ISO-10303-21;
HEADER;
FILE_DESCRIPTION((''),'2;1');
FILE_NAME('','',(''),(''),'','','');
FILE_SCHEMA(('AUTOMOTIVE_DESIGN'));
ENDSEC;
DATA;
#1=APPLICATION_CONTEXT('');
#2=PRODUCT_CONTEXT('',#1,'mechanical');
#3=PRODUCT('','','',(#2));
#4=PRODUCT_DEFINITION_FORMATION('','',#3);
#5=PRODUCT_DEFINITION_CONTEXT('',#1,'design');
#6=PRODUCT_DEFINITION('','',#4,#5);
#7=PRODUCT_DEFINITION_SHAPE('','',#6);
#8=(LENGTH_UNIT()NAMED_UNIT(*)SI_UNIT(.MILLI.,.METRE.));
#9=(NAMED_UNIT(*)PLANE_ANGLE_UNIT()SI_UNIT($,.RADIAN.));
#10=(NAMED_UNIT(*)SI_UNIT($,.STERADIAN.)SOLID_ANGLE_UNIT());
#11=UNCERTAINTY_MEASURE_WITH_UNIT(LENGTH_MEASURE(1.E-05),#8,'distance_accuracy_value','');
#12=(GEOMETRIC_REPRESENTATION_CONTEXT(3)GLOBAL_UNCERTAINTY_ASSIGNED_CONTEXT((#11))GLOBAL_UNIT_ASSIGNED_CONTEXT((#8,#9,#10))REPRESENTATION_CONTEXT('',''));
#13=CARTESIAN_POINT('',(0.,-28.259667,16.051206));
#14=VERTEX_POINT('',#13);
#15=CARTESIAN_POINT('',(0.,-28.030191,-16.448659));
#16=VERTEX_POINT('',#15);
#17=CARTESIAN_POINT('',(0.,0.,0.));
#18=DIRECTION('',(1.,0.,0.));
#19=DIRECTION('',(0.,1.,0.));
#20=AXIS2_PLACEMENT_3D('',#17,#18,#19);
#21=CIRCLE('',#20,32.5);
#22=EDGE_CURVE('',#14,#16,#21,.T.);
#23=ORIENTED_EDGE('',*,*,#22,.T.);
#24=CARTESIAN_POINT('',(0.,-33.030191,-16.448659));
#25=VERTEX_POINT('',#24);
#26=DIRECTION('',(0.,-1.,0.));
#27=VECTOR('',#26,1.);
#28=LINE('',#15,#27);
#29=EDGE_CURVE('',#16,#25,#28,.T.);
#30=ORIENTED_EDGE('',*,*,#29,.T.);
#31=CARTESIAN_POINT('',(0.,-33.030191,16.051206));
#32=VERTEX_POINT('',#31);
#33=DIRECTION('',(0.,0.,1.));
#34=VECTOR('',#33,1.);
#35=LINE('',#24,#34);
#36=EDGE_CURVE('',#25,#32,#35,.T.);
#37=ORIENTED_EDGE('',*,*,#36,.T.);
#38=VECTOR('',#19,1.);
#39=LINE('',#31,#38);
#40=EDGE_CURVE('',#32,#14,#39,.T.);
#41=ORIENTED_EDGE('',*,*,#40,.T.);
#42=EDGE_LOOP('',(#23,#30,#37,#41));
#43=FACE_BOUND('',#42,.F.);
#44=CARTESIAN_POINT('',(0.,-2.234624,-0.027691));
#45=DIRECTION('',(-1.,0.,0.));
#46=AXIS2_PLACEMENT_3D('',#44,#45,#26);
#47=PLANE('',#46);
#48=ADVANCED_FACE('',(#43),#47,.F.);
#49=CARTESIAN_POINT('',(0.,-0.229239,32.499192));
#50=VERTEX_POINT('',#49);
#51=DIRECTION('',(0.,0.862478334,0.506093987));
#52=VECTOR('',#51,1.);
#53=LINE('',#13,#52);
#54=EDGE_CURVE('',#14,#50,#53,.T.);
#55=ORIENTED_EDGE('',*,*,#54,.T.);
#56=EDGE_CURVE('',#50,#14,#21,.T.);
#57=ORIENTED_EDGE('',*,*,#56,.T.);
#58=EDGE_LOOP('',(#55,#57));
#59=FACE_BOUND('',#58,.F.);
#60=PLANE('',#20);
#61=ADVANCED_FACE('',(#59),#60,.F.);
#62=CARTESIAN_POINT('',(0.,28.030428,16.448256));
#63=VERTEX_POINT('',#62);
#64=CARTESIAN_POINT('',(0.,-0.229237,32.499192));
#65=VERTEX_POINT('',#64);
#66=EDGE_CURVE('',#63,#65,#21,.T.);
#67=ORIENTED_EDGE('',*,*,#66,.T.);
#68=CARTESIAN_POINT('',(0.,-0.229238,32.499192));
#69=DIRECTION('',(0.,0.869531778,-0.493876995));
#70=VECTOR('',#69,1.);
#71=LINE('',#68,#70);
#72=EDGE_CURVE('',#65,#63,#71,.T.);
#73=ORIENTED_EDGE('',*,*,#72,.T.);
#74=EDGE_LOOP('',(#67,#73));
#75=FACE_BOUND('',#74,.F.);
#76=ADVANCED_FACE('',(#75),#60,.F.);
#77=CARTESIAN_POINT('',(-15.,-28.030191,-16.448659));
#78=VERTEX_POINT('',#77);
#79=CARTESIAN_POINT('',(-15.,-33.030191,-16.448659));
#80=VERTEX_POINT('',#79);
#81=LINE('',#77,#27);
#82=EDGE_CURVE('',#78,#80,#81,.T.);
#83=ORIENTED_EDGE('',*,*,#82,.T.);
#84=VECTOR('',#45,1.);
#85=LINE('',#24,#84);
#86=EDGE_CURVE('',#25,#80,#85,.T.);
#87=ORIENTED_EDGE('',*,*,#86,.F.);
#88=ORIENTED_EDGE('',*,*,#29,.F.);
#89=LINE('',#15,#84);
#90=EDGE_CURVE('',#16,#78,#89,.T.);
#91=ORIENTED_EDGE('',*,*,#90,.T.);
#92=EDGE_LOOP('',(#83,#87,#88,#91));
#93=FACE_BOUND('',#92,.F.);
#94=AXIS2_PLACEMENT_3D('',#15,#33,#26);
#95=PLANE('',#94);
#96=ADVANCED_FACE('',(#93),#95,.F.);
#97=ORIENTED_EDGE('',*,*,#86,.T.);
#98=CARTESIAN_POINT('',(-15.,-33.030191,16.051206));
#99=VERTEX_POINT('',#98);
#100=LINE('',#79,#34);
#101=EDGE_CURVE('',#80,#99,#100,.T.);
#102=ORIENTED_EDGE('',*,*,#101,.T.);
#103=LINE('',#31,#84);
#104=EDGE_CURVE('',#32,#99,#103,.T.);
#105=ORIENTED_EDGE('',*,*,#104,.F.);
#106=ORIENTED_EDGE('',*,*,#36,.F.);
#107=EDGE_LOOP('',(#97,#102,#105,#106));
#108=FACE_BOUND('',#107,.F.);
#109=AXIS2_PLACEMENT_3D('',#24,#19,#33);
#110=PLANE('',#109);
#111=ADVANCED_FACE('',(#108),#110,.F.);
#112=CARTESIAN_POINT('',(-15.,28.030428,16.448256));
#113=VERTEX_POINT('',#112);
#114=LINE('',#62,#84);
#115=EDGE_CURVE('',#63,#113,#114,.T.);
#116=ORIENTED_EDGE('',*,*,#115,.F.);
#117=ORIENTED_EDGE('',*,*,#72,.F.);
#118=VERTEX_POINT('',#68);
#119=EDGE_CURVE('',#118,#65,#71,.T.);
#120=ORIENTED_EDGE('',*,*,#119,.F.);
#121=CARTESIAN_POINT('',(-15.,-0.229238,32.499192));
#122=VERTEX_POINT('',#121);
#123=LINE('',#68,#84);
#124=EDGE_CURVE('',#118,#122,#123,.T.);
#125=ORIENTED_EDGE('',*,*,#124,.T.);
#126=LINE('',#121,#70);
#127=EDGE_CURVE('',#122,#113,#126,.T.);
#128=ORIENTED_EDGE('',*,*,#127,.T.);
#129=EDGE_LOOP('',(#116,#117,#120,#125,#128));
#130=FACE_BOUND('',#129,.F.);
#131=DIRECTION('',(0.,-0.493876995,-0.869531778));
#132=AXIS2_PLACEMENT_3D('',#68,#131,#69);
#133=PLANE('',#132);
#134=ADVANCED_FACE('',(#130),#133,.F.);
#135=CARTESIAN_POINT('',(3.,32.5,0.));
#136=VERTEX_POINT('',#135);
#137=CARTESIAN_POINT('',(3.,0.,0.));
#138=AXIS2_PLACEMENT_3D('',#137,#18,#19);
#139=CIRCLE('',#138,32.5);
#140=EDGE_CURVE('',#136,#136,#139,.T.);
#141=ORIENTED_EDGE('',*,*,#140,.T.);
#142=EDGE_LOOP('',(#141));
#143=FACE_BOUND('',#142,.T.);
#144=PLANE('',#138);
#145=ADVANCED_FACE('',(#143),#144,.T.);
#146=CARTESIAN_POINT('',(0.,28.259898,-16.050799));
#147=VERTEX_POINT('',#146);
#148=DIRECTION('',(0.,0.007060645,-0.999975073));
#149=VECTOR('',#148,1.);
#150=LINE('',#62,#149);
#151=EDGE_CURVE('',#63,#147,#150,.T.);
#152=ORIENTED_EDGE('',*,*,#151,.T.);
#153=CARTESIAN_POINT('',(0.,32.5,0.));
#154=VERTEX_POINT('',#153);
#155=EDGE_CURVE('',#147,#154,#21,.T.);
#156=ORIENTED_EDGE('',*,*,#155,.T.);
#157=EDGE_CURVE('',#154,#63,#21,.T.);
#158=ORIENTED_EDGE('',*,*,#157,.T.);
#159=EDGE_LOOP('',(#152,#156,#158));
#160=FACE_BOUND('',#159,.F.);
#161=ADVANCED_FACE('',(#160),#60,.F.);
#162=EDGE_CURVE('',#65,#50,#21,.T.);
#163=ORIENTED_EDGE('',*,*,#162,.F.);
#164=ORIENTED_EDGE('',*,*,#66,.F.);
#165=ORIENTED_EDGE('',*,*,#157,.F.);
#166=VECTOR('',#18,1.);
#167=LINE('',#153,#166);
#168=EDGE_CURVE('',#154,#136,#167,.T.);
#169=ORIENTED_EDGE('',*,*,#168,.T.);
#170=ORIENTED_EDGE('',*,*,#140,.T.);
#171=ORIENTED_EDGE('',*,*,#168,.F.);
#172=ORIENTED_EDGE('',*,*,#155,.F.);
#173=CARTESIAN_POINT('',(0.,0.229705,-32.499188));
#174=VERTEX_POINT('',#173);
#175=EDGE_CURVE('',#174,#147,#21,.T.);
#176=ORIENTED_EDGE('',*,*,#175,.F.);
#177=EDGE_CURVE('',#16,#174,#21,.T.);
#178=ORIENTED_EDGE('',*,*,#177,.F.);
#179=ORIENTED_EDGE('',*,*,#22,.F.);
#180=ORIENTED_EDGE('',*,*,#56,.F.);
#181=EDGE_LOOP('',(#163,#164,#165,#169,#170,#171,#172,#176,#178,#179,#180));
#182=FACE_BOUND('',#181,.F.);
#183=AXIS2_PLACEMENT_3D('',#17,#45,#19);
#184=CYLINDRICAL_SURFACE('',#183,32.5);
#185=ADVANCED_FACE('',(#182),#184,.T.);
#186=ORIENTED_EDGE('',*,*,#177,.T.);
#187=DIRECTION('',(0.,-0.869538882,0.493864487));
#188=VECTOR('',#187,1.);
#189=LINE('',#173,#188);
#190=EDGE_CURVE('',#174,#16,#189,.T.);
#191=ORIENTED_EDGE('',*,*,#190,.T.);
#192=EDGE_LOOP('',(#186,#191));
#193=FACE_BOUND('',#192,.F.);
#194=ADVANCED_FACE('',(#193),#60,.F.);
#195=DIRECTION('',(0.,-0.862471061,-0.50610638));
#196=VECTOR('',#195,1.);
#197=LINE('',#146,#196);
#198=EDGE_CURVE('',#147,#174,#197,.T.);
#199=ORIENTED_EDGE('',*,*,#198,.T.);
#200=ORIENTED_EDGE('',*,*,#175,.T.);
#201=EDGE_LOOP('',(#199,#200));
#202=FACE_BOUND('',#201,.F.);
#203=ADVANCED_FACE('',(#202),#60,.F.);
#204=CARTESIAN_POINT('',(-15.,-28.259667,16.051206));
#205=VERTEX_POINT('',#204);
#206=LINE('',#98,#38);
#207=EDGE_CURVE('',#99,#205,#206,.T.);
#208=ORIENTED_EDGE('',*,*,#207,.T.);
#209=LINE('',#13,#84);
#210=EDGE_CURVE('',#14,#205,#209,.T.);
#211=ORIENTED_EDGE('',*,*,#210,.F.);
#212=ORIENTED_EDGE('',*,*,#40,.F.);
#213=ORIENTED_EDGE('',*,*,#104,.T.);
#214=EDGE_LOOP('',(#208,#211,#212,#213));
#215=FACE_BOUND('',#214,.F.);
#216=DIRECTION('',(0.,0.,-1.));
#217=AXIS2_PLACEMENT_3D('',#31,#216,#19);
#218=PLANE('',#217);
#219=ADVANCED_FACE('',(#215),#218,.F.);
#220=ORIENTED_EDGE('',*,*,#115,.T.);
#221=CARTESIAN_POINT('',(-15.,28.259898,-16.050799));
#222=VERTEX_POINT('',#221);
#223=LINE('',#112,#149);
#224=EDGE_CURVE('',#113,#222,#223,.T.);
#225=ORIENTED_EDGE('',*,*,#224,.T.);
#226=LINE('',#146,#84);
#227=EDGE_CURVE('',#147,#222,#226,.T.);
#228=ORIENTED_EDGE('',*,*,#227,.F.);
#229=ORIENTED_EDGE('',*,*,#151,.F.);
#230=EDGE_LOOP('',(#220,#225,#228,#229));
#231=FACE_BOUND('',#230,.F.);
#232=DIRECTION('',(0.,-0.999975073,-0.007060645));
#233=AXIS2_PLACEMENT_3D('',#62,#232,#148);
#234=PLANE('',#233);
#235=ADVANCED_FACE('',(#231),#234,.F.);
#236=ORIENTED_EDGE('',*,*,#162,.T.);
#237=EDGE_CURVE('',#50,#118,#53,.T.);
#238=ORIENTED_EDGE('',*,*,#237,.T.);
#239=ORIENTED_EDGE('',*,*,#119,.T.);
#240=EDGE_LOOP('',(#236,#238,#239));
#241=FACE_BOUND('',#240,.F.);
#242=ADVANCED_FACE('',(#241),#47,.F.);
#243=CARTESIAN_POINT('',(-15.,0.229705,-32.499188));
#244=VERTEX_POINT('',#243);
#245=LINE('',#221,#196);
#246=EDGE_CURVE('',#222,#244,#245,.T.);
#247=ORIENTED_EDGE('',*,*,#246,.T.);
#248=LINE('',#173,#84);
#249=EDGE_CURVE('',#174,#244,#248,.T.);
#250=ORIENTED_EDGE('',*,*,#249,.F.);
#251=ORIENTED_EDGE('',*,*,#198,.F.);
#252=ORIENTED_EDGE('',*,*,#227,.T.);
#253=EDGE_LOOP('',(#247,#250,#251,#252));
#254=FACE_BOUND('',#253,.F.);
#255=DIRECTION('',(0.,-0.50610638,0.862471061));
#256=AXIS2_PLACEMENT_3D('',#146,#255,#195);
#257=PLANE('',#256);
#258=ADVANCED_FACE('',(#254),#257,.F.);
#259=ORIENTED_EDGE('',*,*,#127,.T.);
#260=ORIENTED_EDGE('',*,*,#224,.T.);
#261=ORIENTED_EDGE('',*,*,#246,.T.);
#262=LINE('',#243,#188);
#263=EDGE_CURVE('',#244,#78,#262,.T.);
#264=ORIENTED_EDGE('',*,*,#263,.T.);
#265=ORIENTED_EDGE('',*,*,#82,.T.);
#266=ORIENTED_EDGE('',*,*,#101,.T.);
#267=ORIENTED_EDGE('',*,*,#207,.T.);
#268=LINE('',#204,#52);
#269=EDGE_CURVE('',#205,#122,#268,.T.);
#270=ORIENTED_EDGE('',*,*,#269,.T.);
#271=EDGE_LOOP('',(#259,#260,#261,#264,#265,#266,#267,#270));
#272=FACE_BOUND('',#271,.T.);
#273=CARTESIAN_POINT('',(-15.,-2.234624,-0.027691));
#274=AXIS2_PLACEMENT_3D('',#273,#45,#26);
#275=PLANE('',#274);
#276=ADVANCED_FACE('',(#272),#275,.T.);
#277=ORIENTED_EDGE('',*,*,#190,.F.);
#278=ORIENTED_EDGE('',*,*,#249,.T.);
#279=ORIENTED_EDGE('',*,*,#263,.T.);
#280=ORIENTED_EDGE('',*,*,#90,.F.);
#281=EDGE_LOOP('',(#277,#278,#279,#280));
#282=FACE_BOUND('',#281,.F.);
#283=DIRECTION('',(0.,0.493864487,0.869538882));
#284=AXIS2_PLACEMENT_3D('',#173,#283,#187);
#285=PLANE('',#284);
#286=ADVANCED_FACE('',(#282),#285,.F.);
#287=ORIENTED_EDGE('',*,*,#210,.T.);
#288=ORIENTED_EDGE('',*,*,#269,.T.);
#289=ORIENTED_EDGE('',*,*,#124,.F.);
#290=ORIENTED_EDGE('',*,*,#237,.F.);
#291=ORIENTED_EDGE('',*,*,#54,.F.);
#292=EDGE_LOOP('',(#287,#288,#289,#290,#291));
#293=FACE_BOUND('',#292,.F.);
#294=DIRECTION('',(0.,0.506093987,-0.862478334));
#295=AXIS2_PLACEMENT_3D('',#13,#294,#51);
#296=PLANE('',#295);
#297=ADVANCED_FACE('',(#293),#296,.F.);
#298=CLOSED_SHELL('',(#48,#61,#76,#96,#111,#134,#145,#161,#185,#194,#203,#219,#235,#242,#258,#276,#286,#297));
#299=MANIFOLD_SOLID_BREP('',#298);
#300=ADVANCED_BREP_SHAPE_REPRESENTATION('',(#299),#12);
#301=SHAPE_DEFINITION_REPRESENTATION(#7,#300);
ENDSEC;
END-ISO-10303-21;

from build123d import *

# Parameters (mm, degrees)
F0_R     = 32.5
F1_DEPTH = 3
F3_DEPTH = 15


with BuildPart() as f1:
    # F0 (on Right) → F1 (new body)
    with BuildSketch(Plane.YZ):
        Circle(F0_R)
    extrude(amount=F1_DEPTH)

    # F2 (on face) → F3 (join)
    with BuildSketch(Plane(origin=(0, 0, 0), x_dir=(0, -1, 0), z_dir=(-1, 0, 0))):
        Polygon((33.030191, 16.051206), (28.259667, 16.051206), (0.229238, 32.499192), (-28.030428, 16.448256), (-28.259898, -16.050799), (-0.229705, -32.499188), (28.030191, -16.448659), (33.030191, -16.448659), align=None)
    extrude(amount=F3_DEPTH)


solid = f1.part
